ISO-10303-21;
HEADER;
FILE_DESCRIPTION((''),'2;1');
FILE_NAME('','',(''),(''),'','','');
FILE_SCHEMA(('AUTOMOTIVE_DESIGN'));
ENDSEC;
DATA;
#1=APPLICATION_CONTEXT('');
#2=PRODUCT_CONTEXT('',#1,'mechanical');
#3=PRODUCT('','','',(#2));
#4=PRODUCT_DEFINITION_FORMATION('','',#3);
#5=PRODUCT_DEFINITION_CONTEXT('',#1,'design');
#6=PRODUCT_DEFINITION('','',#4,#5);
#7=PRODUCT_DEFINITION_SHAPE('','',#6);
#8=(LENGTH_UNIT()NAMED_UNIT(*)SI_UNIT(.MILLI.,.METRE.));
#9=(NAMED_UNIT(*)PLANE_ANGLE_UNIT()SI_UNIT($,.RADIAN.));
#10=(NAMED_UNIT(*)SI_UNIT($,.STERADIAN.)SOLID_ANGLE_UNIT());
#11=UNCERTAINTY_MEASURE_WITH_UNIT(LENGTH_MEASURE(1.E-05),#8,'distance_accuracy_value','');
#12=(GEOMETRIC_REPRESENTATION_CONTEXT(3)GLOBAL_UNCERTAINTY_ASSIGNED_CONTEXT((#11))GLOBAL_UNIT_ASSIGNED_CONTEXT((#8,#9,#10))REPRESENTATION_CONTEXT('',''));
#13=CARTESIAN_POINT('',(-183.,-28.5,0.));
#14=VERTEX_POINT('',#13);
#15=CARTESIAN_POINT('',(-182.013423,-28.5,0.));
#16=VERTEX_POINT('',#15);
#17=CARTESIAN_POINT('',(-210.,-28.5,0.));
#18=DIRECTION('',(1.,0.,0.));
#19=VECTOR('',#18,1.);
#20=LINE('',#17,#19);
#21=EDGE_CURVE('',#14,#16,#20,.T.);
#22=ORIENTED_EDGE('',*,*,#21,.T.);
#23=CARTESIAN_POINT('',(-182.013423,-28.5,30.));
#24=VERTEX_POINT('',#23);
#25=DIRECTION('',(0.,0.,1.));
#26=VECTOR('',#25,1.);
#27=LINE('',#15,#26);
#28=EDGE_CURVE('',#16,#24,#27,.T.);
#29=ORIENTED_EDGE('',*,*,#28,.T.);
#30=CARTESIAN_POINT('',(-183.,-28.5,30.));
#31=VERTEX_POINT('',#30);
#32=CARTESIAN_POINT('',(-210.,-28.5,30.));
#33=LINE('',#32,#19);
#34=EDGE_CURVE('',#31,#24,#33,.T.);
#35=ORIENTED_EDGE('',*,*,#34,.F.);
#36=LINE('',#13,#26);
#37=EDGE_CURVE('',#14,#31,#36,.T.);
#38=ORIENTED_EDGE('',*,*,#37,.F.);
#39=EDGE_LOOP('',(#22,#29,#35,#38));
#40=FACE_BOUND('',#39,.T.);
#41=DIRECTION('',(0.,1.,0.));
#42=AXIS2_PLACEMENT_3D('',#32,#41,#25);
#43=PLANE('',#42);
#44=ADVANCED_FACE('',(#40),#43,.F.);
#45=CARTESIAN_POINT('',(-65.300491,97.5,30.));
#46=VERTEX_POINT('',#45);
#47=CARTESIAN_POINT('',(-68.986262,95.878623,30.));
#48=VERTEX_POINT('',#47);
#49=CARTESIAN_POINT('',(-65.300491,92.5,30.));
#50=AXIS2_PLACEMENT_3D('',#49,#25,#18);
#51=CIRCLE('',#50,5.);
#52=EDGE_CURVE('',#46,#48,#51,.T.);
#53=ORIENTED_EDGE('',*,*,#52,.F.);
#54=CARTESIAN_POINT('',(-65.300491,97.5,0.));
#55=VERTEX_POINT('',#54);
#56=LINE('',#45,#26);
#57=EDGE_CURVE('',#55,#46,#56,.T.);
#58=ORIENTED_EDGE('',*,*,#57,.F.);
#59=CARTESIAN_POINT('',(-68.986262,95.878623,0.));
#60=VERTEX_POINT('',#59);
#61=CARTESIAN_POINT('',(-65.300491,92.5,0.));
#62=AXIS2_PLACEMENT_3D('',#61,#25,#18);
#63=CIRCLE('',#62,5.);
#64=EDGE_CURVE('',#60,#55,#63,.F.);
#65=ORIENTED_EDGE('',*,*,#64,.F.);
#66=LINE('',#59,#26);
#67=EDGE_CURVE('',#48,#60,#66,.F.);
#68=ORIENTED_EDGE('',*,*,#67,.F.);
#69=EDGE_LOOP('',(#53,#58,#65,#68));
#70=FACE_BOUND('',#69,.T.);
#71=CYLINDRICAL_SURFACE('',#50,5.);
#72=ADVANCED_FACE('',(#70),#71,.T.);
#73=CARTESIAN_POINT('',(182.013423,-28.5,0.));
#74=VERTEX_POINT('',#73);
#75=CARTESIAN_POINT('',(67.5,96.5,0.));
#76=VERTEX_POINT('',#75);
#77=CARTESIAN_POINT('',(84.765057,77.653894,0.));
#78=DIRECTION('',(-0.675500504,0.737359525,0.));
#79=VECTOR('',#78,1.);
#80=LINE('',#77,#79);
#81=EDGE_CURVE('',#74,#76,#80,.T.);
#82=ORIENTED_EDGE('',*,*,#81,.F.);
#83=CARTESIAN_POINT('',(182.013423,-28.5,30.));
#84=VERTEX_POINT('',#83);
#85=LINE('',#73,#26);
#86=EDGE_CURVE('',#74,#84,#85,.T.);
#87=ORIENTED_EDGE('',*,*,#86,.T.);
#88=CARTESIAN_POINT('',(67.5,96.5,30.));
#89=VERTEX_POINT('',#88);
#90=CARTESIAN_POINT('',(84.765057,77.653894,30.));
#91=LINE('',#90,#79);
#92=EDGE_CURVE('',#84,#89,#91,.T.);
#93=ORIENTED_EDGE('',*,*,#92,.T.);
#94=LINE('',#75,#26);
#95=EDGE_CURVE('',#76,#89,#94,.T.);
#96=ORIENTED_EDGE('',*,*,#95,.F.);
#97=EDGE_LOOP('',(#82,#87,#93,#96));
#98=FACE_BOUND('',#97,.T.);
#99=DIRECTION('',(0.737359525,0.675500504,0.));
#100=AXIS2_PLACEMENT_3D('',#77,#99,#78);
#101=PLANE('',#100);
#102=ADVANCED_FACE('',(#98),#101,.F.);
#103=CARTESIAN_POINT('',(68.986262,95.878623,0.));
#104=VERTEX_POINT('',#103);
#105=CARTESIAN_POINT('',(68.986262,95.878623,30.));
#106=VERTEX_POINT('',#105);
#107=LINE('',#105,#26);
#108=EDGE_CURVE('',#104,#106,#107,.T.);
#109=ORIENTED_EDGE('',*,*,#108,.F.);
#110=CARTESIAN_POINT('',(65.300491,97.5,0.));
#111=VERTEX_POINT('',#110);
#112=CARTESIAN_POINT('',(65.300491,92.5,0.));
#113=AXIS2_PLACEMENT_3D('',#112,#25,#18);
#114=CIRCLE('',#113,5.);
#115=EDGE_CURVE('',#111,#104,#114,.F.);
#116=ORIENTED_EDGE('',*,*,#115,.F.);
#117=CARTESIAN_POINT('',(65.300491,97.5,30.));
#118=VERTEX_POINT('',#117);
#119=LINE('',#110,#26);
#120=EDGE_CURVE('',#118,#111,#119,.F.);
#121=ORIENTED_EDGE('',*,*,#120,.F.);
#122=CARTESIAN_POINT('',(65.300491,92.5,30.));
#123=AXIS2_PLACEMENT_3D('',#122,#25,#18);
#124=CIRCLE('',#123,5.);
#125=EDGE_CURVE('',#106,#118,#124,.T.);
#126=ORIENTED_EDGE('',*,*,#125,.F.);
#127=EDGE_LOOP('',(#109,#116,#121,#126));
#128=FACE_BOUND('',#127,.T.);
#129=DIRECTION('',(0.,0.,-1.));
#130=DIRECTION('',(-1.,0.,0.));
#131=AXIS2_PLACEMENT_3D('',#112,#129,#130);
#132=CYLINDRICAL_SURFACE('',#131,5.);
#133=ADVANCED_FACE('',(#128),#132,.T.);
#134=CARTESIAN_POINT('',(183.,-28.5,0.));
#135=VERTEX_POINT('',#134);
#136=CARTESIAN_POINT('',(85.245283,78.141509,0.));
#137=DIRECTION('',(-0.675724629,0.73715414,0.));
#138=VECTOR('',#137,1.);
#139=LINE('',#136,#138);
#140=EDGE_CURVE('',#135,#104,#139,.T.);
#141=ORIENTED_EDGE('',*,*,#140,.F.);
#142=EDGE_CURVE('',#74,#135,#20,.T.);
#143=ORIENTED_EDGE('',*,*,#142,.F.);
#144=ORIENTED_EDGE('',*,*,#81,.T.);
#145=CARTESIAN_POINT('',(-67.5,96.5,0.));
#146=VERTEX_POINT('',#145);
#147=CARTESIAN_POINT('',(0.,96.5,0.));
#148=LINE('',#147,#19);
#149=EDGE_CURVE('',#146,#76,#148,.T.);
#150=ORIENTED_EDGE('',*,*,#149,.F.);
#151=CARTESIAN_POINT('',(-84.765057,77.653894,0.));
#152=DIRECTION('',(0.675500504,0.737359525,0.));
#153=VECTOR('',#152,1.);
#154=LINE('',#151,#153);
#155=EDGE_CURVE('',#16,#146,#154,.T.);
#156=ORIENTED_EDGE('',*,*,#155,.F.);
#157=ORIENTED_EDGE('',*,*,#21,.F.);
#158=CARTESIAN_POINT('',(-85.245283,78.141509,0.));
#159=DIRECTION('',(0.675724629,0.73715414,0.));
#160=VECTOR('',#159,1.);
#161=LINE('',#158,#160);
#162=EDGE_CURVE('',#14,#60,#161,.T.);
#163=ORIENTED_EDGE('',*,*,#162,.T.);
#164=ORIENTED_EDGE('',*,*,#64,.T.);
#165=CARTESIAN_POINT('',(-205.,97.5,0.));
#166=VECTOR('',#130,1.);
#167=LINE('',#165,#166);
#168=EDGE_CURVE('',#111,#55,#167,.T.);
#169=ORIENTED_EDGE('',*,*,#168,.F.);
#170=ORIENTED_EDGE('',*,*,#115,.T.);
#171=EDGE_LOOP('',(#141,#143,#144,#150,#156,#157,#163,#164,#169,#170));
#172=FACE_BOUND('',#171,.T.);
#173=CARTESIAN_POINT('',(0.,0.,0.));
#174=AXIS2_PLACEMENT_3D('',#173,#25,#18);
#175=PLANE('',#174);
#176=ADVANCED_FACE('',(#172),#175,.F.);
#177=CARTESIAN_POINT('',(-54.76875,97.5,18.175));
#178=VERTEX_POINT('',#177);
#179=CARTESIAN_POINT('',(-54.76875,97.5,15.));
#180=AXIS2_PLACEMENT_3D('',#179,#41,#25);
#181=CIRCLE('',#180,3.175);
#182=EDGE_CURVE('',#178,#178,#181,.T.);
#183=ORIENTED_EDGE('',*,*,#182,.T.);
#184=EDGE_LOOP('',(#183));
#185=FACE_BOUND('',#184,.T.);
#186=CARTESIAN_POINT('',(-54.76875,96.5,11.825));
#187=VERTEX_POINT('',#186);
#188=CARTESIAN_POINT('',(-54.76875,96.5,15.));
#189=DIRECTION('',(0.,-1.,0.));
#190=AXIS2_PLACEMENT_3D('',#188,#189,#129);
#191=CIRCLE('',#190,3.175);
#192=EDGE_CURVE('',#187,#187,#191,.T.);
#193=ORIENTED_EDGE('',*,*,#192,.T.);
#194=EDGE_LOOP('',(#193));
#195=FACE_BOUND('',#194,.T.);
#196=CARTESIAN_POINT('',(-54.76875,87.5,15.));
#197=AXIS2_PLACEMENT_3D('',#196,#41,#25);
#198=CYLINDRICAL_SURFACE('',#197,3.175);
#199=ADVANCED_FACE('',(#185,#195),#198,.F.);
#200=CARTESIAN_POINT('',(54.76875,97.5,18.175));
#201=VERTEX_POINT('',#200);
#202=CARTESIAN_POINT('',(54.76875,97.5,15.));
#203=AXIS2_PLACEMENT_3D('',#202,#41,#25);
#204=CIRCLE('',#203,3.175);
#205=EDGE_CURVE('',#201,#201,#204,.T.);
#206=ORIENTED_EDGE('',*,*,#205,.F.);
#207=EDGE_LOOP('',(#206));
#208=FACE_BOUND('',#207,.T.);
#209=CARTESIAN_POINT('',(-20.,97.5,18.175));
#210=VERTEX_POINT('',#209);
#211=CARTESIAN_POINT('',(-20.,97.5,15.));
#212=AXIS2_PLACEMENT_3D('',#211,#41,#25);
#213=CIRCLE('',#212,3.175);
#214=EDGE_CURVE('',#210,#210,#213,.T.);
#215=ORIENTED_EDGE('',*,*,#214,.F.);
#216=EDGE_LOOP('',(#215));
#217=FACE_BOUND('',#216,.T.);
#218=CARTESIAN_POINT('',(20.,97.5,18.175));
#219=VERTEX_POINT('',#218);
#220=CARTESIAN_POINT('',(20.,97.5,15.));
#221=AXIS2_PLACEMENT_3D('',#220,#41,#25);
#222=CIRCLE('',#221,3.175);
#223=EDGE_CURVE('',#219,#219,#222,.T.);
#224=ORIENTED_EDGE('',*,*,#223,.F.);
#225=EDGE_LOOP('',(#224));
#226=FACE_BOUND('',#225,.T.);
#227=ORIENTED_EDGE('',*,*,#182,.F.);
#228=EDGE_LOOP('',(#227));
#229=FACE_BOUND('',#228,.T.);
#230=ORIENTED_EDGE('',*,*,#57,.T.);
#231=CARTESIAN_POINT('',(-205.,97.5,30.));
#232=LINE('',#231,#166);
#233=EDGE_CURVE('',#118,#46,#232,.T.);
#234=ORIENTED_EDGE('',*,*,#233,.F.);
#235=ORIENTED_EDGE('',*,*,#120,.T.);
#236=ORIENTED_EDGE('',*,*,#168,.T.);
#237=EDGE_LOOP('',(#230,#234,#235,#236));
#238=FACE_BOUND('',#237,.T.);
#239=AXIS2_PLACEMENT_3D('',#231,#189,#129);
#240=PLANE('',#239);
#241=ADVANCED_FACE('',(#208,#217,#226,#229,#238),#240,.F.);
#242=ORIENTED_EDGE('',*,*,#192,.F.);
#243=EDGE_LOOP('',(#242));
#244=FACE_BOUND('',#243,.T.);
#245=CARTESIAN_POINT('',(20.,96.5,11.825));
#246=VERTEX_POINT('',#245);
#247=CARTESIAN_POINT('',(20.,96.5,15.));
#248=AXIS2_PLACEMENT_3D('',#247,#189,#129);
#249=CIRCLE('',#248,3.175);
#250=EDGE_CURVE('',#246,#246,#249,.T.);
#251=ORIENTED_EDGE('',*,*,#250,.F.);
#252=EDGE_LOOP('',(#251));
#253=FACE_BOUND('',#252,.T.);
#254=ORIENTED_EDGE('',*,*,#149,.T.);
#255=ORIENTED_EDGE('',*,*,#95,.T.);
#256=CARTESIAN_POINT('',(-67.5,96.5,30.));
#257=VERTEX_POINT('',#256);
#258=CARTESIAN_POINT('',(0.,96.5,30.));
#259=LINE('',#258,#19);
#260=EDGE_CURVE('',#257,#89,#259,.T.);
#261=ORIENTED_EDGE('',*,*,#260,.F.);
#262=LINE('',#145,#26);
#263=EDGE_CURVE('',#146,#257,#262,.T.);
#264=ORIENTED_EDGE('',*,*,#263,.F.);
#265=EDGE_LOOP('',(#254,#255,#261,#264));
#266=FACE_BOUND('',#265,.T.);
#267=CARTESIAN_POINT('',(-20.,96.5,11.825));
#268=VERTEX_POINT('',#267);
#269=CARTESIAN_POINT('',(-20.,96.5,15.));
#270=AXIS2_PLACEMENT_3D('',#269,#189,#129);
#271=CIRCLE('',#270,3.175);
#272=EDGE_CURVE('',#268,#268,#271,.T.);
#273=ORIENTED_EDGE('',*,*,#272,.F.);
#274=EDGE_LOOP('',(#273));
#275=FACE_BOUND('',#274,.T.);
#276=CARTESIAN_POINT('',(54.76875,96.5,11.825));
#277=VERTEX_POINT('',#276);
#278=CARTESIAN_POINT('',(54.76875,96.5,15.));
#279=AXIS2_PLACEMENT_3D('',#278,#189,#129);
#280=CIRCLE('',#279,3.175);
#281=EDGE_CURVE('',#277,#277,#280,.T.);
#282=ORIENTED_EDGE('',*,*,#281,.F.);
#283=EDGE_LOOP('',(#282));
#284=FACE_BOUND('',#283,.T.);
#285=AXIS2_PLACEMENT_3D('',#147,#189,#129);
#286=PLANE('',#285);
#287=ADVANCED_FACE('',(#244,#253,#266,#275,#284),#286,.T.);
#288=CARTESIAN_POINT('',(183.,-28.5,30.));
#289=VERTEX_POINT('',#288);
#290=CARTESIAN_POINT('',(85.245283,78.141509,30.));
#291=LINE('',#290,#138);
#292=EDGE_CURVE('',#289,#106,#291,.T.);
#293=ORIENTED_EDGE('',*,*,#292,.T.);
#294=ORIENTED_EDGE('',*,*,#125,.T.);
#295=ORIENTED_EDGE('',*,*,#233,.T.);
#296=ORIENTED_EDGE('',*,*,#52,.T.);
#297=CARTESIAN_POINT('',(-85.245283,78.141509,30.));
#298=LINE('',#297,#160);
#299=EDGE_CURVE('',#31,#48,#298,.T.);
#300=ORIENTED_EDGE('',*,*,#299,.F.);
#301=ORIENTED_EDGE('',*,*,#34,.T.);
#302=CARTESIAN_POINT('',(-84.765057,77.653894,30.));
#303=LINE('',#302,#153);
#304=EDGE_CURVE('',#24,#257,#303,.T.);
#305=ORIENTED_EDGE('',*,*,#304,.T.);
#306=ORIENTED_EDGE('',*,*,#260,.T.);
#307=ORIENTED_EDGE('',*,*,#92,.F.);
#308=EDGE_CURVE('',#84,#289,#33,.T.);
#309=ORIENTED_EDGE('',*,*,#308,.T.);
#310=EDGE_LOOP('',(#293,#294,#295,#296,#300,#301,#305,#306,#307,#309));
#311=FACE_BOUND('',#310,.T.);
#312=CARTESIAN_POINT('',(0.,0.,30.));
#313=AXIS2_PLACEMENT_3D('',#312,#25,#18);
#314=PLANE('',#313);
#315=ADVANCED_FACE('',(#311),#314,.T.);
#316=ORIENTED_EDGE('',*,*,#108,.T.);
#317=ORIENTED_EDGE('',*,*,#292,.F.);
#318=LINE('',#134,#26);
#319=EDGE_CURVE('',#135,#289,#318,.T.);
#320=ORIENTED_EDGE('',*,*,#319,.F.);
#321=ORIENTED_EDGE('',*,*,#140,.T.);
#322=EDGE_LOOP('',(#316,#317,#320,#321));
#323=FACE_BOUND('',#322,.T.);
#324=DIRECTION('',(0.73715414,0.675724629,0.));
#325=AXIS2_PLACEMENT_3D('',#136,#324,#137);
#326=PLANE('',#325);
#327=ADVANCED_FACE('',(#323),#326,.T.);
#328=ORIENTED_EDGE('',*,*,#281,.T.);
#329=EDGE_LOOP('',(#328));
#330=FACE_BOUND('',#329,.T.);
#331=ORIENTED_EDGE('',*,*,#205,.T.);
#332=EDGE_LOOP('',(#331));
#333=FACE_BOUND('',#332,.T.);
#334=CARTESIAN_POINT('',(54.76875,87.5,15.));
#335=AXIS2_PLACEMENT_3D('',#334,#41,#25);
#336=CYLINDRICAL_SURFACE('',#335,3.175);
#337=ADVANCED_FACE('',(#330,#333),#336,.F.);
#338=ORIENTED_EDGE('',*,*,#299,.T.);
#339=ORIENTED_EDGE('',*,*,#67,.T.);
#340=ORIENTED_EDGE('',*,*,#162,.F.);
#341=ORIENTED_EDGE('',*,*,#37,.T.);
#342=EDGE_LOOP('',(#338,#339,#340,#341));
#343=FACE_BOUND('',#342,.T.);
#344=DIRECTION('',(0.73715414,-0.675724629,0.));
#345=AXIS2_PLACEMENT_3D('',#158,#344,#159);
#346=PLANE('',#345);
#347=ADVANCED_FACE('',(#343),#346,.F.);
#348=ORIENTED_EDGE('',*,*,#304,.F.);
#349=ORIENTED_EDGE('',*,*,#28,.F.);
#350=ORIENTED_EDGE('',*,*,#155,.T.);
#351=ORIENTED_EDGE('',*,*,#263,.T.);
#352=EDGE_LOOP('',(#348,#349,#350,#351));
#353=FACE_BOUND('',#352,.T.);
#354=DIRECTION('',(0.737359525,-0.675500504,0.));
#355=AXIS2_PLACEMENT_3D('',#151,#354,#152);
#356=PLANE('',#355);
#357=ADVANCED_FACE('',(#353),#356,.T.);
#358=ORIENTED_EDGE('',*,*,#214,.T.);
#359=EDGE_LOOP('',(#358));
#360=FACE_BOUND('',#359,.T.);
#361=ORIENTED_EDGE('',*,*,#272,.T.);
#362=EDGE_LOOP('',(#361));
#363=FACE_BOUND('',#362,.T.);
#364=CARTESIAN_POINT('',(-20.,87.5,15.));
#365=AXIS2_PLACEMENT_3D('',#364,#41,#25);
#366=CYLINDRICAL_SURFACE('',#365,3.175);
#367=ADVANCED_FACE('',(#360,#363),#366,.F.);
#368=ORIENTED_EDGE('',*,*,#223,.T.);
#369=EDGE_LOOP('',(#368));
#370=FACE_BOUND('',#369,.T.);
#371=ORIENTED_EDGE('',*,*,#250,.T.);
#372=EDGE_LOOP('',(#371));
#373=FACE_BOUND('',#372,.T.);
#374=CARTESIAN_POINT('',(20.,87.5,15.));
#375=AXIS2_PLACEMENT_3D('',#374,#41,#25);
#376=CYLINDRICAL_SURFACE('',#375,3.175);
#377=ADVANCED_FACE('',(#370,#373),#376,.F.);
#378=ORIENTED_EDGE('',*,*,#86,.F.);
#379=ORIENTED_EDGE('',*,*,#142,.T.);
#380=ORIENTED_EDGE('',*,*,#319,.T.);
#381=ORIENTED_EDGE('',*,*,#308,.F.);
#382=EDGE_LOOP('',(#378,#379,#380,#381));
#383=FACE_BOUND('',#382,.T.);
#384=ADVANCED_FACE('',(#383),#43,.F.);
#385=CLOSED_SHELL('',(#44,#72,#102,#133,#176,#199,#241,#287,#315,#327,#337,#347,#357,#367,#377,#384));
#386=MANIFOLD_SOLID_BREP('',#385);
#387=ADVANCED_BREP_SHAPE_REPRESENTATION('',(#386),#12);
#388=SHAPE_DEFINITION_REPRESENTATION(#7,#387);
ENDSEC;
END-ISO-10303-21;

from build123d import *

# Parameters (mm, degrees)
SKETCH1_W           = 410
SKETCH1_H           = 195
BOSS_EXTRUDE1_DEPTH = 30
CUT_EXTRUDE1_DEPTH  = 30
CUT_EXTRUDE2_DEPTH  = 30
FILLET1_R           = 5
FILLET4_R           = 5
FILLET5_R           = 5
FILLET6_R           = 5
SKETCH4_R           = 1.65
CUT_EXTRUDE3_DEPTH  = 423.5
SKETCH5_R           = 3.175
CUT_EXTRUDE4_DEPTH  = 10
SKETCH7_W           = 30
SKETCH7_H           = 69
CUT_EXTRUDE6_DEPTH  = 420


with BuildPart() as part:
    # Sketch1 → Boss-Extrude1 (new body)
    with BuildSketch(Plane.XY):
        Rectangle(SKETCH1_W, SKETCH1_H)
    extrude(amount=BOSS_EXTRUDE1_DEPTH)

    # Sketch2 → Cut-Extrude1 (cut)
    with BuildSketch(Plane.XY.offset(30)):
        Polygon((-205, 97.5), (-205, -52.5), (-67.5, 97.5), align=None)
        Polygon((205, 97.5), (67.5, 97.5), (205, -52.5), align=None)
    extrude(amount=-CUT_EXTRUDE1_DEPTH, mode=Mode.SUBTRACT)

    # Sketch3 → Cut-Extrude2 (cut)
    with BuildSketch(Plane.XY.offset(30)):
        Polygon((-67.5, 96.5), (-204, -52.5), (-204, -97.5), (204, -97.5), (204, -52.5), (67.5, 96.5), align=None)
    extrude(amount=-CUT_EXTRUDE2_DEPTH, mode=Mode.SUBTRACT)

    # Fillet1
    fillet1_edges = [part.edges().sort_by_distance(p)[0] for p in [
        (-205, -52.5, 15),
    ]]
    fillet(fillet1_edges, radius=FILLET1_R)

    # Fillet4
    fillet4_edges = [part.edges().sort_by_distance(p)[0] for p in [
        (-67.5, 97.5, 15),
    ]]
    fillet(fillet4_edges, radius=FILLET4_R)

    # Fillet5
    fillet5_edges = [part.edges().sort_by_distance(p)[0] for p in [
        (67.5, 97.5, 15),
    ]]
    fillet(fillet5_edges, radius=FILLET5_R)

    # Fillet6
    fillet6_edges = [part.edges().sort_by_distance(p)[0] for p in [
        (205, -52.5, 15),
    ]]
    fillet(fillet6_edges, radius=FILLET6_R)

    # Sketch4 → Cut-Extrude3 (cut, through all)
    with BuildSketch(Plane(origin=(205, 0, 0), x_dir=(0, 0, -1), z_dir=(1, 0, 0))):
        with Locations(Location((-15, -75.972459226, 0), (0, 0, 90))):
            Circle(SKETCH4_R)
    extrude(amount=-CUT_EXTRUDE3_DEPTH, mode=Mode.SUBTRACT)

    # Sketch5 → Cut-Extrude4 (cut)
    with BuildSketch(Plane(origin=(0, 97.5, 0), x_dir=(1, 0, 0), z_dir=(0, 1, 0))):
        with Locations(Location((-20, -15, 0), (0, 0, 270))):
            Circle(SKETCH5_R)
        with Locations(Location((20, -15, 0), (0, 0, 270))):
            Circle(SKETCH5_R)
        with Locations(Location((54.768750122, -15, 0), (0, 0, 270))):
            Circle(SKETCH5_R)
        with Locations(Location((-54.768749878, -15, 0), (0, 0, 270))):
            Circle(SKETCH5_R)
    extrude(amount=-CUT_EXTRUDE4_DEPTH, mode=Mode.SUBTRACT)

    # Sketch7 → Cut-Extrude6 (cut)
    with BuildSketch(Plane(origin=(210, 0, 0), x_dir=(0, 0, -1), z_dir=(1, 0, 0))):
        with Locations((-15, -63)):
            Rectangle(SKETCH7_W, SKETCH7_H)
    extrude(amount=-CUT_EXTRUDE6_DEPTH, mode=Mode.SUBTRACT)


solid = part.part
